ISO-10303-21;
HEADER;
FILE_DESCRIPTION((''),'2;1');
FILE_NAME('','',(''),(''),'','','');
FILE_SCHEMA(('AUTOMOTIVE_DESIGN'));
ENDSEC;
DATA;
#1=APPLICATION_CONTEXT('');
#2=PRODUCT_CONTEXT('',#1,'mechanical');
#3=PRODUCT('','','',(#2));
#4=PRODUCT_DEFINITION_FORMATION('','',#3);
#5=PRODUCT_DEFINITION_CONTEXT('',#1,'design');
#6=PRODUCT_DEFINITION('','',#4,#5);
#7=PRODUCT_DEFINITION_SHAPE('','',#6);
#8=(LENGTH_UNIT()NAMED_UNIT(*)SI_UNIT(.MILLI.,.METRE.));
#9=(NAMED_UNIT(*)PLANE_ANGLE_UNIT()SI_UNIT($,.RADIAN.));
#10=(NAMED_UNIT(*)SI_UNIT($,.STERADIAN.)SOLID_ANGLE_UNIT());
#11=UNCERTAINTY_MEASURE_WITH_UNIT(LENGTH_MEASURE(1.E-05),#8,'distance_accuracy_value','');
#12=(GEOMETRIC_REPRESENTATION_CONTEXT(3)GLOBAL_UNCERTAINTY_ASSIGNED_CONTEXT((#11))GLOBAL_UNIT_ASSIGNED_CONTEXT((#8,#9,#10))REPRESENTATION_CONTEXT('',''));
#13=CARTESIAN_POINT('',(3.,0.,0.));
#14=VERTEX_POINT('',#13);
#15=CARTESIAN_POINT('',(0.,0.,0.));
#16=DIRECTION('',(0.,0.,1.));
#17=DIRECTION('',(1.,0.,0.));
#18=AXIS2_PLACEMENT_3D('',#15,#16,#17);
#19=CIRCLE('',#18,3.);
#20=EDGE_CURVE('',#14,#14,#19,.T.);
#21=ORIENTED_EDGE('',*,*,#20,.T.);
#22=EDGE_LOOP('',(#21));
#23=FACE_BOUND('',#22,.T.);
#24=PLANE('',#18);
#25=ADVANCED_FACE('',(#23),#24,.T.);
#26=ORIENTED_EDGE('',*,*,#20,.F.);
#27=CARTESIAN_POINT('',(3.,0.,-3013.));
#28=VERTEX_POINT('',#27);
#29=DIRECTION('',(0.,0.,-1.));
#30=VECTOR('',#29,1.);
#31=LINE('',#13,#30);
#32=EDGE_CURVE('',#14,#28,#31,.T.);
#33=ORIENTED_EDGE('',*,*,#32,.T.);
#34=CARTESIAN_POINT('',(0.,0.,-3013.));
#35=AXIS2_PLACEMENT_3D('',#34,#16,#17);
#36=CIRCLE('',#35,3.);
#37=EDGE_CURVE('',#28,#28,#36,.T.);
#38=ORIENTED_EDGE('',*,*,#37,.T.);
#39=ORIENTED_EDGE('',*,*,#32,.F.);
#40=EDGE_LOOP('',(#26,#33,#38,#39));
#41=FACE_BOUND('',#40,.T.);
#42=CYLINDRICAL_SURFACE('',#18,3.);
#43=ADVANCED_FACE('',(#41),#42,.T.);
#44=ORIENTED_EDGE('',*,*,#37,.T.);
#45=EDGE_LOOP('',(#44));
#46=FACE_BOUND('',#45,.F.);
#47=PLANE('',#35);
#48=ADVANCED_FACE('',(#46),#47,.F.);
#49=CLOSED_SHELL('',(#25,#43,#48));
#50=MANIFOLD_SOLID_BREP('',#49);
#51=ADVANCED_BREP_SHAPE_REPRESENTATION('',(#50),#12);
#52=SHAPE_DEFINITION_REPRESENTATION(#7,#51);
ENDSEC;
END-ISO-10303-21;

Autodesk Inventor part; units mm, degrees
ref_plane "YZ Plane" through (0, 0, 0) normal (1, 0, 0) x (0, 1, 0)
ref_plane "XZ Plane" through (0, 0, 0) normal (0, 1, 0) x (-1, 0, 0)
ref_plane "XY Plane" through (0, 0, 0) normal (0, 0, 1) x (1, 0, 0)
sketch "Sketch1" plane through (0, 0, 0) normal (0, 0, 1) x (1, 0, 0)
  circle A0 centre (0, 0) radius 3
  dimension "d0" = 6
extrude "Extrusion1" add sketch "Sketch1" against normal blind 3013
properties part number "MSC 0211 string for sheets"
